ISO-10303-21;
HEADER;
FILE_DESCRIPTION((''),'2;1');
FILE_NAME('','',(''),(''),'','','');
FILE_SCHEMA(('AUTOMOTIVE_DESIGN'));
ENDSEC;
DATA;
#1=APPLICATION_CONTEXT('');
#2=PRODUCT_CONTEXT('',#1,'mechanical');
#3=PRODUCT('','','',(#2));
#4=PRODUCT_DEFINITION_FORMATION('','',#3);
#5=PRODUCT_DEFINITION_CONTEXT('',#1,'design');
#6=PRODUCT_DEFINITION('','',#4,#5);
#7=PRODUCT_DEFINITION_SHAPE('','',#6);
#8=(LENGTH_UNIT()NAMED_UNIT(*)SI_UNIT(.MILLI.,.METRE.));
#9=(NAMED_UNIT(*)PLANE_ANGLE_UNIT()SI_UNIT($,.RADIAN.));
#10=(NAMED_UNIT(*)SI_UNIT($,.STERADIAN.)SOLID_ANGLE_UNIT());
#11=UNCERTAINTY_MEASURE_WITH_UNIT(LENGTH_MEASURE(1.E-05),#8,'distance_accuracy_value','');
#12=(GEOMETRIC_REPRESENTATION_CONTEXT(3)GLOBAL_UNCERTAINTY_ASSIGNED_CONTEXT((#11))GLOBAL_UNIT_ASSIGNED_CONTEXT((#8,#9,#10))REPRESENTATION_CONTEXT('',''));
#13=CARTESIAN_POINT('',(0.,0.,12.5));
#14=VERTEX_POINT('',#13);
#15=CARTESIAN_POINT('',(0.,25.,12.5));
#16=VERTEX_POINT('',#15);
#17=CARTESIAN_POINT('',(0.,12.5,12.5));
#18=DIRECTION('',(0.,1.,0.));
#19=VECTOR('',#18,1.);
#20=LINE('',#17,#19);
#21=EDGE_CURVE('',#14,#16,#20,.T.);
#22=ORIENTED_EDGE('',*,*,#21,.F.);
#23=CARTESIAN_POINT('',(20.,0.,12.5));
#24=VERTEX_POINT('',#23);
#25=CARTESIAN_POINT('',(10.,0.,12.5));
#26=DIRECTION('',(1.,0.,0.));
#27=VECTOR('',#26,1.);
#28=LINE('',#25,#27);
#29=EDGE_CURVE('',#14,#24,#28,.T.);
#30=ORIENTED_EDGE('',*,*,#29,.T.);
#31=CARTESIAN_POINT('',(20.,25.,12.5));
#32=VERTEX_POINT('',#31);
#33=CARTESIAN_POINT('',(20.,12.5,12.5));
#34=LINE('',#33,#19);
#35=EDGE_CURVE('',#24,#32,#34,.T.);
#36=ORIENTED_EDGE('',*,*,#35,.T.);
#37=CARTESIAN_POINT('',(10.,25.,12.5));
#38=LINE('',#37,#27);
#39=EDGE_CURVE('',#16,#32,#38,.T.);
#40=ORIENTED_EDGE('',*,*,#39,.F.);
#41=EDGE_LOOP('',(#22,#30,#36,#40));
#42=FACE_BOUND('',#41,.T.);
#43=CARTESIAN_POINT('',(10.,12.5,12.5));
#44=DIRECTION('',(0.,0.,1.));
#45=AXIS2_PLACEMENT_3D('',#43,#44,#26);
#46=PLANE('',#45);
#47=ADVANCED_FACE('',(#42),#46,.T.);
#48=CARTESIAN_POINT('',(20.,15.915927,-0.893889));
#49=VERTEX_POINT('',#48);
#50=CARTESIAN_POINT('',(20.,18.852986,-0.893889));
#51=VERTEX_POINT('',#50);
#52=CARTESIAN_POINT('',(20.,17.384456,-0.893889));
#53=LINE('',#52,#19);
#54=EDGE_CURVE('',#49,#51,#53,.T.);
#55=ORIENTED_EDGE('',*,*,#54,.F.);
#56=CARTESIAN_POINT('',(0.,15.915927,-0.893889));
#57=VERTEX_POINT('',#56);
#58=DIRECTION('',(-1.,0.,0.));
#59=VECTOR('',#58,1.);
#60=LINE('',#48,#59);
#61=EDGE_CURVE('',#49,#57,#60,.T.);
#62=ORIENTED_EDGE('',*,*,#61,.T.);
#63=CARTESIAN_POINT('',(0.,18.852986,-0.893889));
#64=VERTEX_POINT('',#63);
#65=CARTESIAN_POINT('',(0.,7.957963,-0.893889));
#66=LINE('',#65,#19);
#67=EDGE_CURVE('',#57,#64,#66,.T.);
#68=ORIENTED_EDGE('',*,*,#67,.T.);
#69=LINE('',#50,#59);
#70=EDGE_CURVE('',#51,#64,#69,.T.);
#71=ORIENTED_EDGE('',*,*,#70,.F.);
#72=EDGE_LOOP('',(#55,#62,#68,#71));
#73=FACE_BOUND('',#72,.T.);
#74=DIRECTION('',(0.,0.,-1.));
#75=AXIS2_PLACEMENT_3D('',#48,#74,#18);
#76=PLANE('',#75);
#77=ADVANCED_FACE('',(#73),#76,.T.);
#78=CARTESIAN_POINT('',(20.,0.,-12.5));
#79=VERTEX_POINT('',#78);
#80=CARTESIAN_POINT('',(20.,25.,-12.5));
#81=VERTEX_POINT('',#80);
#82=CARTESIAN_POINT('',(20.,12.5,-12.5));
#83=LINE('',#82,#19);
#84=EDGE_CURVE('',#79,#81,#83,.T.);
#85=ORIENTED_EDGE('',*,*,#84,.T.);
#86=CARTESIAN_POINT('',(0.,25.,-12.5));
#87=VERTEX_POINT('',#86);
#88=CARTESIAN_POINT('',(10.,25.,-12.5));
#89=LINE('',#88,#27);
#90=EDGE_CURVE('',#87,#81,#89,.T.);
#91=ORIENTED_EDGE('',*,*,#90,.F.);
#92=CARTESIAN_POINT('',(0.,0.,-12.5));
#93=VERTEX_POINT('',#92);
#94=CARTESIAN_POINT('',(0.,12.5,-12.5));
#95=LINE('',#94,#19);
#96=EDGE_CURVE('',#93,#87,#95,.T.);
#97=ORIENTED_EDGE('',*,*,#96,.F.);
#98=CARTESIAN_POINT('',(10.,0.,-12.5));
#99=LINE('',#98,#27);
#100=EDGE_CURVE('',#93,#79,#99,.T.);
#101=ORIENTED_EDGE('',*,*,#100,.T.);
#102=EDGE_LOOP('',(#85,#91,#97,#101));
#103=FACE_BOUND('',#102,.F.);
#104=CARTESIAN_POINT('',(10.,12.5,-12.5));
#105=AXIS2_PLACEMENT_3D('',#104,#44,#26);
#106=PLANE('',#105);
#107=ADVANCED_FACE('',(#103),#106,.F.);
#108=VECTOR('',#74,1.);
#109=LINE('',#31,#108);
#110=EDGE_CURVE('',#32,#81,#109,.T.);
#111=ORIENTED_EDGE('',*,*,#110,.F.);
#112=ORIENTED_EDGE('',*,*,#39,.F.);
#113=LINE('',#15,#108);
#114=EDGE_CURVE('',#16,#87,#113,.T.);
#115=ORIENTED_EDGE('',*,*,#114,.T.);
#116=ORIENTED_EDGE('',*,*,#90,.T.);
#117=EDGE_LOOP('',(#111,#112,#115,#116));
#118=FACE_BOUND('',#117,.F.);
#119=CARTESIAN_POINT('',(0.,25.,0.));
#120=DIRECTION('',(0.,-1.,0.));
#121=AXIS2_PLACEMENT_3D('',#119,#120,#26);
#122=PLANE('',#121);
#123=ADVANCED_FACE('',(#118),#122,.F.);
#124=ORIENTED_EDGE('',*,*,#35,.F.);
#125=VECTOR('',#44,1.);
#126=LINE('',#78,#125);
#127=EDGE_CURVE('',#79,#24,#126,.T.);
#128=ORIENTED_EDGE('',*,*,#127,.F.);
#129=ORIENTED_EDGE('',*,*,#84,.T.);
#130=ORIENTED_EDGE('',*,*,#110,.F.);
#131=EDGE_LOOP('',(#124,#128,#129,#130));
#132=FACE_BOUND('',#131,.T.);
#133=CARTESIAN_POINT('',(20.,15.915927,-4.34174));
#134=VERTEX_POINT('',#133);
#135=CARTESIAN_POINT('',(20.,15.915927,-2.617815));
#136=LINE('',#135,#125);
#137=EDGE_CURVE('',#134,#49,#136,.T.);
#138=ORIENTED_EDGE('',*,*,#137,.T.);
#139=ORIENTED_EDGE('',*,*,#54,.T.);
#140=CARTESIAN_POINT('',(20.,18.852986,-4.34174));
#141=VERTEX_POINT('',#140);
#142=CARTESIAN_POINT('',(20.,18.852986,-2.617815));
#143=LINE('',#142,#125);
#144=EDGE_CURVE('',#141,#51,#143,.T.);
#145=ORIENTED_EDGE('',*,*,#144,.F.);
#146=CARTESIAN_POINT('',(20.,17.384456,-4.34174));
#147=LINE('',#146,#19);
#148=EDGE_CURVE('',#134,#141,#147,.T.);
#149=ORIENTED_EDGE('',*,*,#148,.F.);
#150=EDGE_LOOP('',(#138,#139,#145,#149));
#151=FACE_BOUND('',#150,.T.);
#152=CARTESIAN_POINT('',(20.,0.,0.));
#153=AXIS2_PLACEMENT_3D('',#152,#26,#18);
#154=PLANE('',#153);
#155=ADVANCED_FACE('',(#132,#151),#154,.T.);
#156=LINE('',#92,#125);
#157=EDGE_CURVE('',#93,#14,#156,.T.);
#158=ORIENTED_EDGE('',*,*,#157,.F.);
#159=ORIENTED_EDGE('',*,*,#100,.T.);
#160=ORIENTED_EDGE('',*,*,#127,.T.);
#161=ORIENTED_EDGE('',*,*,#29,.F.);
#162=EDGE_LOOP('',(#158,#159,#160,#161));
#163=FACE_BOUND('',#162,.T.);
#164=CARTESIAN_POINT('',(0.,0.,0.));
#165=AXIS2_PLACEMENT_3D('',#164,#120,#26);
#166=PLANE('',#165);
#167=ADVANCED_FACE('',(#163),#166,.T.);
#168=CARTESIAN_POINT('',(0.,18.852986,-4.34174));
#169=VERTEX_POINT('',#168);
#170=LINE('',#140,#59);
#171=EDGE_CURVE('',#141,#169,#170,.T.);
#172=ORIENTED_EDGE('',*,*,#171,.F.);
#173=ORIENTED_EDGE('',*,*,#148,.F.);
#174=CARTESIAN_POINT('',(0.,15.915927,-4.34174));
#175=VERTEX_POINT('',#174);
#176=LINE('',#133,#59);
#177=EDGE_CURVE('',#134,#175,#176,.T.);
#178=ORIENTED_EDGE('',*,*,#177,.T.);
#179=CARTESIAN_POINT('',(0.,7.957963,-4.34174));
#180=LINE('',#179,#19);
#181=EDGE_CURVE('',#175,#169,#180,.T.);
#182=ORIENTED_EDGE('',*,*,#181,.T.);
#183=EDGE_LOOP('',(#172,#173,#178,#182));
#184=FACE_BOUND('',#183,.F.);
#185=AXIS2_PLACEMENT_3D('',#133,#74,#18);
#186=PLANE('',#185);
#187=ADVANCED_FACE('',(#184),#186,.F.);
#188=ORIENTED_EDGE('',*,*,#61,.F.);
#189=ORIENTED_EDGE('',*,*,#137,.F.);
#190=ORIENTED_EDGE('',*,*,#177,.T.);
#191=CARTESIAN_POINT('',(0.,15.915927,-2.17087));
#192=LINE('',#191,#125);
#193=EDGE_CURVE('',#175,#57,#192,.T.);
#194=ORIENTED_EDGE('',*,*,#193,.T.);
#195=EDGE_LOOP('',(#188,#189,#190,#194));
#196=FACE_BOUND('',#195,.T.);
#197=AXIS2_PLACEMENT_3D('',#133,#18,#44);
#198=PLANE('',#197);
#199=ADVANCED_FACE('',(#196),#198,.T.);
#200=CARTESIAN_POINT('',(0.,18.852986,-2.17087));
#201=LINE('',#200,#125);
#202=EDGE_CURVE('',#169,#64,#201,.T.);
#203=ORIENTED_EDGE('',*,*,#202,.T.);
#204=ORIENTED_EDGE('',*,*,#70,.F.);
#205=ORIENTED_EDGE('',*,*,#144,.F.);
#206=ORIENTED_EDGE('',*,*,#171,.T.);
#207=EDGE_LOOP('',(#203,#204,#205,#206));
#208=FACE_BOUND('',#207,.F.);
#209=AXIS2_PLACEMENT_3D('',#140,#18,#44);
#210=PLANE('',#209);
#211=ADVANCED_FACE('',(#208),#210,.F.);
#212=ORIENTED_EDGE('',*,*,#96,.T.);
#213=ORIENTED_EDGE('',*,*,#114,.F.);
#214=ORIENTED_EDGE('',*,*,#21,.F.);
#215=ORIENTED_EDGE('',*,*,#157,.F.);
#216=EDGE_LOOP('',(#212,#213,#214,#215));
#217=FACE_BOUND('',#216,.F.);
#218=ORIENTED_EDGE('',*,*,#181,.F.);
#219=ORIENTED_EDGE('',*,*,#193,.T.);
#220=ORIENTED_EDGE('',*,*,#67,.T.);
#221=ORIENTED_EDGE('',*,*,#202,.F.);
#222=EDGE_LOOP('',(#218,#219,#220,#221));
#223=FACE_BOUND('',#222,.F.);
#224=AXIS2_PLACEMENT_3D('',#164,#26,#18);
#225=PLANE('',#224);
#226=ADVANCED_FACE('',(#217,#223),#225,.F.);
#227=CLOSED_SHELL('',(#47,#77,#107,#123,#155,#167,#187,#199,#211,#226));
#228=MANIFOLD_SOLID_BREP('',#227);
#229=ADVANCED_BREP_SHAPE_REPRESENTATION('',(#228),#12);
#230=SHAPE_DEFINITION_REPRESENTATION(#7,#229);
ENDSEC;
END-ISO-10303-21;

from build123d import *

# Parameters (mm, degrees)
F0_W     = 20
F0_H     = 25
F1_DEPTH = 12.5000001863
F3_W     = 2.9370598495
F3_H     = 3.4478511661
F4_DEPTH = 25


with BuildPart() as f1:
    # F0 (on Top) → F1 (new body, symmetric)
    with BuildSketch(Plane.XY):
        with Locations((10, 12.5)):
            Rectangle(F0_W, F0_H)
    extrude(amount=F1_DEPTH, both=True)

    # F3 (on face) → F4 (cut)
    with BuildSketch(Plane.YZ.offset(20)):
        with Locations((17.3844564706, -2.6178145781)):
            Rectangle(F3_W, F3_H)
    extrude(amount=-F4_DEPTH, mode=Mode.SUBTRACT)


solid = f1.part
